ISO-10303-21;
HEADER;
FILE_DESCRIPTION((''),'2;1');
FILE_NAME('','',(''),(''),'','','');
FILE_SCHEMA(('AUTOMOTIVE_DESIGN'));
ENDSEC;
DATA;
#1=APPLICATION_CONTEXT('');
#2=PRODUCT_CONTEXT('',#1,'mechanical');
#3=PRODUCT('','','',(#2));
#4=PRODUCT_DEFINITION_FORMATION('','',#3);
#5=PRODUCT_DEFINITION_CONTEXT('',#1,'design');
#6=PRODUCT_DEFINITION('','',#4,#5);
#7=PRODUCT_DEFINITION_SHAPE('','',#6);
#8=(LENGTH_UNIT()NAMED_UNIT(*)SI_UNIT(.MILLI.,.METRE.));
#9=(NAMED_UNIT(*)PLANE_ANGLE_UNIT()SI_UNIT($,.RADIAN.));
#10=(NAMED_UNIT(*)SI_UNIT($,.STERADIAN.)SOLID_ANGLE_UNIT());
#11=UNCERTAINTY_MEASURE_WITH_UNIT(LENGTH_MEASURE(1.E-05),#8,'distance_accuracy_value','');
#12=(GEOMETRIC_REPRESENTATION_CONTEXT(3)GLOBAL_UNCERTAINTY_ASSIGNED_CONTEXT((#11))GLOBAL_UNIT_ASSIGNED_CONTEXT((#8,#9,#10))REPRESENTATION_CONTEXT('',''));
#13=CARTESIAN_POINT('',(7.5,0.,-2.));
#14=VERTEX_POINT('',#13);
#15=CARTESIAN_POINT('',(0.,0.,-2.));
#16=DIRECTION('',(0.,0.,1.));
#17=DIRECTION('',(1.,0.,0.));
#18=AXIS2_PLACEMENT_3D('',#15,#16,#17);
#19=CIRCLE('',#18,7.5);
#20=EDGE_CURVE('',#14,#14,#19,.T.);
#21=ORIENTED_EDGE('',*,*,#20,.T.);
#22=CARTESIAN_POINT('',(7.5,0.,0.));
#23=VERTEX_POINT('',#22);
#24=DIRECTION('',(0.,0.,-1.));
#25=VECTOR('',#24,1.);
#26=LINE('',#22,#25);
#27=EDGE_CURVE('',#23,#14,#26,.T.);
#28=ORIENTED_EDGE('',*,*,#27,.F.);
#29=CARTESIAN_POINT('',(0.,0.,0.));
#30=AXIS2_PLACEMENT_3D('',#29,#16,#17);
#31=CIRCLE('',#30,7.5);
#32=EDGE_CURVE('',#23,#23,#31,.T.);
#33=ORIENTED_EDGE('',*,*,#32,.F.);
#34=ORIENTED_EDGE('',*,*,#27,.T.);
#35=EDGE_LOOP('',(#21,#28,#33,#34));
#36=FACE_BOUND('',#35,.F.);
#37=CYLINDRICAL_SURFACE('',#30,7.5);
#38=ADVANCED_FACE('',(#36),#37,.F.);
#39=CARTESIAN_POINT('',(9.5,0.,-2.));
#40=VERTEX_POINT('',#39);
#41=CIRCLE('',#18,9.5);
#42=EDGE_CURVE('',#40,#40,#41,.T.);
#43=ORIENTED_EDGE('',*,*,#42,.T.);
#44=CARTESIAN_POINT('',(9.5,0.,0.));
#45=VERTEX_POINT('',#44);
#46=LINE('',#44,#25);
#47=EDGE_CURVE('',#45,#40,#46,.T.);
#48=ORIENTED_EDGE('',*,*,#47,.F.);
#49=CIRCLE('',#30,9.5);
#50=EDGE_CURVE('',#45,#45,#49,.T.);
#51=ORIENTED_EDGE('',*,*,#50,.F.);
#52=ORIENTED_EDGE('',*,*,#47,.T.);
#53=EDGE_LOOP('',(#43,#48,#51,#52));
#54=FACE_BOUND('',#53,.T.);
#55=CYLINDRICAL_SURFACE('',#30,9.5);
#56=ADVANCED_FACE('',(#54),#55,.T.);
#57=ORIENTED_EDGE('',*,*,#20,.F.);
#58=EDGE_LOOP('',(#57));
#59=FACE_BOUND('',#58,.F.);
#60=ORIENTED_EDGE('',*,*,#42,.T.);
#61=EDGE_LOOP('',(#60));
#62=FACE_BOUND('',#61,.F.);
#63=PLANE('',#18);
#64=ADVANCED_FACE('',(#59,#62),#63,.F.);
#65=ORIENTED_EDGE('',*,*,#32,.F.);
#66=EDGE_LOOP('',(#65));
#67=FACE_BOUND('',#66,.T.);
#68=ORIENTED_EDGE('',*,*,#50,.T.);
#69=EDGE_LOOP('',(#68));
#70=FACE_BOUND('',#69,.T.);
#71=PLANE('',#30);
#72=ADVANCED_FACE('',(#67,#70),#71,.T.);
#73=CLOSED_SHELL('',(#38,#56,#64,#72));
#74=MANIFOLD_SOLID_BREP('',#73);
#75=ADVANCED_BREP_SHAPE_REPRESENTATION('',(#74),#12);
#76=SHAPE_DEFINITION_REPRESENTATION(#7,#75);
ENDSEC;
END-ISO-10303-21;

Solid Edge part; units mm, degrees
sketch "Sketch1" plane through (0, 0, 0) normal (0, 0, 1) x (1, 0, 0)
  circle A0 centre (0, 0) radius 9.5
  circle A1 centre (0, 0) radius 7.5
  dimension "D1" = 15
  dimension "D2" = 19
extrude "Protrusion1" add sketch "Sketch1" against normal blind 2
properties material "Silikon"
